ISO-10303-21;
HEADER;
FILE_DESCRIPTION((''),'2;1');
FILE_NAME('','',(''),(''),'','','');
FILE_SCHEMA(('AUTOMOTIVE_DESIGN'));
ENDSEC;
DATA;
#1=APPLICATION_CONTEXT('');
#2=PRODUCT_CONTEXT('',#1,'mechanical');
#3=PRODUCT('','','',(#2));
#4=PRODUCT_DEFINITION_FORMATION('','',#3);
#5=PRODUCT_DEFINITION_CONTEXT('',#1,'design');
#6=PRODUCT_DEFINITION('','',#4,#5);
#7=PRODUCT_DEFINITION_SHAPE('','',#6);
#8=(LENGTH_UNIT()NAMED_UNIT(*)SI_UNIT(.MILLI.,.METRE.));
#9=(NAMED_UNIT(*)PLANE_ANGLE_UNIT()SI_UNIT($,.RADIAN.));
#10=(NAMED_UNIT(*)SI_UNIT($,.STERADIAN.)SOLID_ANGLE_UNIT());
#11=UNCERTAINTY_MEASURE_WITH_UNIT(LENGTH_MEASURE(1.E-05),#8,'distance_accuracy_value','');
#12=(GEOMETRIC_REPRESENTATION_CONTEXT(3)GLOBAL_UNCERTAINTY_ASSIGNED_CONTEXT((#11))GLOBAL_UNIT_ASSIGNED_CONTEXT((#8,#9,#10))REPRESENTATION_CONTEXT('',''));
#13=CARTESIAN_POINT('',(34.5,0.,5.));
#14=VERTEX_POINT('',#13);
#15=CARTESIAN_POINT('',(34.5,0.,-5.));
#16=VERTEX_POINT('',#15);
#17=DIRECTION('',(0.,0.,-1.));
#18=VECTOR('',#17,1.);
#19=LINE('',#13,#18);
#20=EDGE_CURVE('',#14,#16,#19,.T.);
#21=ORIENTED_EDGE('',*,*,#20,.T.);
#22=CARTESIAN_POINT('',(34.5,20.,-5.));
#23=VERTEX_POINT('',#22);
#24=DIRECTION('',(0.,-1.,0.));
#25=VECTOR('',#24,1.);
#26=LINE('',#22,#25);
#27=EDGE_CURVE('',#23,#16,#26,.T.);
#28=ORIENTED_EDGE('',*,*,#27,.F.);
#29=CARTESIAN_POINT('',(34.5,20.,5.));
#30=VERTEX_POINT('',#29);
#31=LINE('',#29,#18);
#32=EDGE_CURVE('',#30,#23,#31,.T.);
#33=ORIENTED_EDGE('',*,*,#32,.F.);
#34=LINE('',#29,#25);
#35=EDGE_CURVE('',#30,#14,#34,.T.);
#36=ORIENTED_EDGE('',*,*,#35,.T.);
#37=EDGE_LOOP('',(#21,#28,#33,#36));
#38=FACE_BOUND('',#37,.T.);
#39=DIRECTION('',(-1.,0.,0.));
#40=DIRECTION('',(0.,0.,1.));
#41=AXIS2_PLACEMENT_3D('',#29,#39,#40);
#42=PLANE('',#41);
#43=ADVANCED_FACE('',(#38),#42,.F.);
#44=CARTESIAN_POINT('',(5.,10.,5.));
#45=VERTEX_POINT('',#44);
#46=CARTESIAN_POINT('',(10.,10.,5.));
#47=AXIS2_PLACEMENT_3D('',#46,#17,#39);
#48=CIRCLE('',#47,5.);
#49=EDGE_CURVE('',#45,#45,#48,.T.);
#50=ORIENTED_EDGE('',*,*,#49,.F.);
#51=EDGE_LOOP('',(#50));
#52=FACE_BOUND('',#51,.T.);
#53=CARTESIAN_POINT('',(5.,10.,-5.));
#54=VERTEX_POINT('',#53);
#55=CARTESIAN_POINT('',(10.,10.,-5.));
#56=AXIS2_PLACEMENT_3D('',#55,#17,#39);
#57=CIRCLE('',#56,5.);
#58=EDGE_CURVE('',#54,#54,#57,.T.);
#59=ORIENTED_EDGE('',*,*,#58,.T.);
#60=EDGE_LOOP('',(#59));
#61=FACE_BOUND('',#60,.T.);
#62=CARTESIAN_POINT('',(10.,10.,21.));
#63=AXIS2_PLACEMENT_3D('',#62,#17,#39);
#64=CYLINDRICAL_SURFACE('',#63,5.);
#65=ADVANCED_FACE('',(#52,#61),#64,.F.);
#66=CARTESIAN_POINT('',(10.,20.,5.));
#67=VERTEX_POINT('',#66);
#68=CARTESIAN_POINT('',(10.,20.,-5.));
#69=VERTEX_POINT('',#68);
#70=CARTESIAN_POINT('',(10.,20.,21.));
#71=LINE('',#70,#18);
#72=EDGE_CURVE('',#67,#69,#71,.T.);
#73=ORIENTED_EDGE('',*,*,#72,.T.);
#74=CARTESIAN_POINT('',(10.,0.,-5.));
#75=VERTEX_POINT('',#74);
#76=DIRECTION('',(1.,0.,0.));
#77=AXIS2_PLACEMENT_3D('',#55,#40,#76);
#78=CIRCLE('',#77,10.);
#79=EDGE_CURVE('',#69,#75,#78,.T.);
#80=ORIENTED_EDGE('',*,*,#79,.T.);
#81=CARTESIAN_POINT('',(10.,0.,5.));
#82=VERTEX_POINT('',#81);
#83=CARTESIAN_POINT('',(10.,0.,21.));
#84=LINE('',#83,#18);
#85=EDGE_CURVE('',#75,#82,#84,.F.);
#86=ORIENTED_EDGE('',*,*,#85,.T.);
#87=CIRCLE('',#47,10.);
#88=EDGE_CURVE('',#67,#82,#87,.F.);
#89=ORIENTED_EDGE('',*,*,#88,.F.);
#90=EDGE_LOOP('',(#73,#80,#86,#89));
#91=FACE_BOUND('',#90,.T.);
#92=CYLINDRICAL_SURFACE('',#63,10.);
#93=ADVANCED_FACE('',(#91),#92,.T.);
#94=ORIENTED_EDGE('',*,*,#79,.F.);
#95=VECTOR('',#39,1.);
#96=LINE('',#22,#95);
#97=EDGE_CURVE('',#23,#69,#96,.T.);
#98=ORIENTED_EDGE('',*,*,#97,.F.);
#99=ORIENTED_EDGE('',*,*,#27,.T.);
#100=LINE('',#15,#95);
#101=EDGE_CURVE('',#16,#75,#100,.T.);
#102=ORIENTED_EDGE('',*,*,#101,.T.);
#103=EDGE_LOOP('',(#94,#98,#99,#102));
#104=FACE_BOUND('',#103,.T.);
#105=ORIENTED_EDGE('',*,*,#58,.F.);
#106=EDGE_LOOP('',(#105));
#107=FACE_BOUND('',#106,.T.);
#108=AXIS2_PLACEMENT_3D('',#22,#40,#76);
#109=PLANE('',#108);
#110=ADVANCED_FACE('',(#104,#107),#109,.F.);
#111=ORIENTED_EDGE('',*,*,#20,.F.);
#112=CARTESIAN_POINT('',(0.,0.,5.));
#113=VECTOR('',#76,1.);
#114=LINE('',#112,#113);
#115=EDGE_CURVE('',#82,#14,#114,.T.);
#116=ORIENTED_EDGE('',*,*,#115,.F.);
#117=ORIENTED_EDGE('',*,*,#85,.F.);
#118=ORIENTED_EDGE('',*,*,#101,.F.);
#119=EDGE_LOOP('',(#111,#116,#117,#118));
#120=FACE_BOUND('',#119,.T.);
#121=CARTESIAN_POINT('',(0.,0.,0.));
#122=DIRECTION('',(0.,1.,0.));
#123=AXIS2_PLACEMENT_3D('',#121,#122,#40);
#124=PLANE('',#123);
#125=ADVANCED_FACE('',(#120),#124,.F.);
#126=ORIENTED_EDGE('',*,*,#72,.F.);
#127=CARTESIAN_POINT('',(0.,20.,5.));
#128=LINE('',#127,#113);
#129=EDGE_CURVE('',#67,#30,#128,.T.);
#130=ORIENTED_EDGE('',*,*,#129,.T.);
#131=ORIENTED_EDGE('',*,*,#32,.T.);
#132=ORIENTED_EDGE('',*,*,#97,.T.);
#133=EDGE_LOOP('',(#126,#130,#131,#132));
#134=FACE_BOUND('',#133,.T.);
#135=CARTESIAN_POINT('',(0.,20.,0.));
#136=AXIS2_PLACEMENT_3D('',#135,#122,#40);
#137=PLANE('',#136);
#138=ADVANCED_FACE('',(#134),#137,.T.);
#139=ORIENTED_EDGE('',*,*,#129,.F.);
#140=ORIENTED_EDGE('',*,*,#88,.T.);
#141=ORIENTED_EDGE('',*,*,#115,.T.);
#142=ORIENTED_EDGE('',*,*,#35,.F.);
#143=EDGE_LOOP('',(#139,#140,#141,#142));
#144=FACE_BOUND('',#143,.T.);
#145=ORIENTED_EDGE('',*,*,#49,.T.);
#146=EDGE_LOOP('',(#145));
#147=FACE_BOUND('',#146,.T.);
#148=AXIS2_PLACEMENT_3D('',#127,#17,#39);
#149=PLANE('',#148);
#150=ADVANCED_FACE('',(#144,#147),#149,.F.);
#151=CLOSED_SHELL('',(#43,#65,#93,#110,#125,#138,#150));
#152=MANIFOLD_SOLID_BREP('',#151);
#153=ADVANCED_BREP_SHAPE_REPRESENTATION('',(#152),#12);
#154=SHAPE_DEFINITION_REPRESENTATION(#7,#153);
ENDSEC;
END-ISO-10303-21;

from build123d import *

# Parameters (mm, degrees)
SKETCH7_W           = 34.5
SKETCH7_H           = 10
BOSS_EXTRUDE3_DEPTH = 20
CUT_EXTRUDE9_DEPTH  = 26
SKETCH9_R           = 5
CUT_EXTRUDE10_DEPTH = 26


with BuildPart() as part:
    # Sketch7 → Boss-Extrude3 (new body)
    with BuildSketch(Plane(origin=(0, 0, 0), x_dir=(1, 0, 0), z_dir=(0, 1, 0))):
        with Locations((17.25, 0)):
            Rectangle(SKETCH7_W, SKETCH7_H)
    extrude(amount=BOSS_EXTRUDE3_DEPTH)

    # Sketch8 → Cut-Extrude9 (cut)
    with BuildSketch(Plane(origin=(0, 0, -5), x_dir=(-1, 0, 0), z_dir=(0, 0, -1))):
        with BuildLine():
            Line((-10, 20), (6.269101311, 20))
            Line((6.269101311, 20), (6.269101311, 0))
            Line((6.269101311, 0), (-10, 0))
            ThreePointArc((-10, 0), (0, 10), (-10, 20))
        make_face()
    extrude(amount=-CUT_EXTRUDE9_DEPTH, mode=Mode.SUBTRACT)

    # Sketch9 → Cut-Extrude10 (cut)
    with BuildSketch(Plane(origin=(0, 0, -5), x_dir=(-1, 0, 0), z_dir=(0, 0, -1))):
        with Locations((-10, 10)):
            Circle(SKETCH9_R)
    extrude(amount=-CUT_EXTRUDE10_DEPTH, mode=Mode.SUBTRACT)


solid = part.part
